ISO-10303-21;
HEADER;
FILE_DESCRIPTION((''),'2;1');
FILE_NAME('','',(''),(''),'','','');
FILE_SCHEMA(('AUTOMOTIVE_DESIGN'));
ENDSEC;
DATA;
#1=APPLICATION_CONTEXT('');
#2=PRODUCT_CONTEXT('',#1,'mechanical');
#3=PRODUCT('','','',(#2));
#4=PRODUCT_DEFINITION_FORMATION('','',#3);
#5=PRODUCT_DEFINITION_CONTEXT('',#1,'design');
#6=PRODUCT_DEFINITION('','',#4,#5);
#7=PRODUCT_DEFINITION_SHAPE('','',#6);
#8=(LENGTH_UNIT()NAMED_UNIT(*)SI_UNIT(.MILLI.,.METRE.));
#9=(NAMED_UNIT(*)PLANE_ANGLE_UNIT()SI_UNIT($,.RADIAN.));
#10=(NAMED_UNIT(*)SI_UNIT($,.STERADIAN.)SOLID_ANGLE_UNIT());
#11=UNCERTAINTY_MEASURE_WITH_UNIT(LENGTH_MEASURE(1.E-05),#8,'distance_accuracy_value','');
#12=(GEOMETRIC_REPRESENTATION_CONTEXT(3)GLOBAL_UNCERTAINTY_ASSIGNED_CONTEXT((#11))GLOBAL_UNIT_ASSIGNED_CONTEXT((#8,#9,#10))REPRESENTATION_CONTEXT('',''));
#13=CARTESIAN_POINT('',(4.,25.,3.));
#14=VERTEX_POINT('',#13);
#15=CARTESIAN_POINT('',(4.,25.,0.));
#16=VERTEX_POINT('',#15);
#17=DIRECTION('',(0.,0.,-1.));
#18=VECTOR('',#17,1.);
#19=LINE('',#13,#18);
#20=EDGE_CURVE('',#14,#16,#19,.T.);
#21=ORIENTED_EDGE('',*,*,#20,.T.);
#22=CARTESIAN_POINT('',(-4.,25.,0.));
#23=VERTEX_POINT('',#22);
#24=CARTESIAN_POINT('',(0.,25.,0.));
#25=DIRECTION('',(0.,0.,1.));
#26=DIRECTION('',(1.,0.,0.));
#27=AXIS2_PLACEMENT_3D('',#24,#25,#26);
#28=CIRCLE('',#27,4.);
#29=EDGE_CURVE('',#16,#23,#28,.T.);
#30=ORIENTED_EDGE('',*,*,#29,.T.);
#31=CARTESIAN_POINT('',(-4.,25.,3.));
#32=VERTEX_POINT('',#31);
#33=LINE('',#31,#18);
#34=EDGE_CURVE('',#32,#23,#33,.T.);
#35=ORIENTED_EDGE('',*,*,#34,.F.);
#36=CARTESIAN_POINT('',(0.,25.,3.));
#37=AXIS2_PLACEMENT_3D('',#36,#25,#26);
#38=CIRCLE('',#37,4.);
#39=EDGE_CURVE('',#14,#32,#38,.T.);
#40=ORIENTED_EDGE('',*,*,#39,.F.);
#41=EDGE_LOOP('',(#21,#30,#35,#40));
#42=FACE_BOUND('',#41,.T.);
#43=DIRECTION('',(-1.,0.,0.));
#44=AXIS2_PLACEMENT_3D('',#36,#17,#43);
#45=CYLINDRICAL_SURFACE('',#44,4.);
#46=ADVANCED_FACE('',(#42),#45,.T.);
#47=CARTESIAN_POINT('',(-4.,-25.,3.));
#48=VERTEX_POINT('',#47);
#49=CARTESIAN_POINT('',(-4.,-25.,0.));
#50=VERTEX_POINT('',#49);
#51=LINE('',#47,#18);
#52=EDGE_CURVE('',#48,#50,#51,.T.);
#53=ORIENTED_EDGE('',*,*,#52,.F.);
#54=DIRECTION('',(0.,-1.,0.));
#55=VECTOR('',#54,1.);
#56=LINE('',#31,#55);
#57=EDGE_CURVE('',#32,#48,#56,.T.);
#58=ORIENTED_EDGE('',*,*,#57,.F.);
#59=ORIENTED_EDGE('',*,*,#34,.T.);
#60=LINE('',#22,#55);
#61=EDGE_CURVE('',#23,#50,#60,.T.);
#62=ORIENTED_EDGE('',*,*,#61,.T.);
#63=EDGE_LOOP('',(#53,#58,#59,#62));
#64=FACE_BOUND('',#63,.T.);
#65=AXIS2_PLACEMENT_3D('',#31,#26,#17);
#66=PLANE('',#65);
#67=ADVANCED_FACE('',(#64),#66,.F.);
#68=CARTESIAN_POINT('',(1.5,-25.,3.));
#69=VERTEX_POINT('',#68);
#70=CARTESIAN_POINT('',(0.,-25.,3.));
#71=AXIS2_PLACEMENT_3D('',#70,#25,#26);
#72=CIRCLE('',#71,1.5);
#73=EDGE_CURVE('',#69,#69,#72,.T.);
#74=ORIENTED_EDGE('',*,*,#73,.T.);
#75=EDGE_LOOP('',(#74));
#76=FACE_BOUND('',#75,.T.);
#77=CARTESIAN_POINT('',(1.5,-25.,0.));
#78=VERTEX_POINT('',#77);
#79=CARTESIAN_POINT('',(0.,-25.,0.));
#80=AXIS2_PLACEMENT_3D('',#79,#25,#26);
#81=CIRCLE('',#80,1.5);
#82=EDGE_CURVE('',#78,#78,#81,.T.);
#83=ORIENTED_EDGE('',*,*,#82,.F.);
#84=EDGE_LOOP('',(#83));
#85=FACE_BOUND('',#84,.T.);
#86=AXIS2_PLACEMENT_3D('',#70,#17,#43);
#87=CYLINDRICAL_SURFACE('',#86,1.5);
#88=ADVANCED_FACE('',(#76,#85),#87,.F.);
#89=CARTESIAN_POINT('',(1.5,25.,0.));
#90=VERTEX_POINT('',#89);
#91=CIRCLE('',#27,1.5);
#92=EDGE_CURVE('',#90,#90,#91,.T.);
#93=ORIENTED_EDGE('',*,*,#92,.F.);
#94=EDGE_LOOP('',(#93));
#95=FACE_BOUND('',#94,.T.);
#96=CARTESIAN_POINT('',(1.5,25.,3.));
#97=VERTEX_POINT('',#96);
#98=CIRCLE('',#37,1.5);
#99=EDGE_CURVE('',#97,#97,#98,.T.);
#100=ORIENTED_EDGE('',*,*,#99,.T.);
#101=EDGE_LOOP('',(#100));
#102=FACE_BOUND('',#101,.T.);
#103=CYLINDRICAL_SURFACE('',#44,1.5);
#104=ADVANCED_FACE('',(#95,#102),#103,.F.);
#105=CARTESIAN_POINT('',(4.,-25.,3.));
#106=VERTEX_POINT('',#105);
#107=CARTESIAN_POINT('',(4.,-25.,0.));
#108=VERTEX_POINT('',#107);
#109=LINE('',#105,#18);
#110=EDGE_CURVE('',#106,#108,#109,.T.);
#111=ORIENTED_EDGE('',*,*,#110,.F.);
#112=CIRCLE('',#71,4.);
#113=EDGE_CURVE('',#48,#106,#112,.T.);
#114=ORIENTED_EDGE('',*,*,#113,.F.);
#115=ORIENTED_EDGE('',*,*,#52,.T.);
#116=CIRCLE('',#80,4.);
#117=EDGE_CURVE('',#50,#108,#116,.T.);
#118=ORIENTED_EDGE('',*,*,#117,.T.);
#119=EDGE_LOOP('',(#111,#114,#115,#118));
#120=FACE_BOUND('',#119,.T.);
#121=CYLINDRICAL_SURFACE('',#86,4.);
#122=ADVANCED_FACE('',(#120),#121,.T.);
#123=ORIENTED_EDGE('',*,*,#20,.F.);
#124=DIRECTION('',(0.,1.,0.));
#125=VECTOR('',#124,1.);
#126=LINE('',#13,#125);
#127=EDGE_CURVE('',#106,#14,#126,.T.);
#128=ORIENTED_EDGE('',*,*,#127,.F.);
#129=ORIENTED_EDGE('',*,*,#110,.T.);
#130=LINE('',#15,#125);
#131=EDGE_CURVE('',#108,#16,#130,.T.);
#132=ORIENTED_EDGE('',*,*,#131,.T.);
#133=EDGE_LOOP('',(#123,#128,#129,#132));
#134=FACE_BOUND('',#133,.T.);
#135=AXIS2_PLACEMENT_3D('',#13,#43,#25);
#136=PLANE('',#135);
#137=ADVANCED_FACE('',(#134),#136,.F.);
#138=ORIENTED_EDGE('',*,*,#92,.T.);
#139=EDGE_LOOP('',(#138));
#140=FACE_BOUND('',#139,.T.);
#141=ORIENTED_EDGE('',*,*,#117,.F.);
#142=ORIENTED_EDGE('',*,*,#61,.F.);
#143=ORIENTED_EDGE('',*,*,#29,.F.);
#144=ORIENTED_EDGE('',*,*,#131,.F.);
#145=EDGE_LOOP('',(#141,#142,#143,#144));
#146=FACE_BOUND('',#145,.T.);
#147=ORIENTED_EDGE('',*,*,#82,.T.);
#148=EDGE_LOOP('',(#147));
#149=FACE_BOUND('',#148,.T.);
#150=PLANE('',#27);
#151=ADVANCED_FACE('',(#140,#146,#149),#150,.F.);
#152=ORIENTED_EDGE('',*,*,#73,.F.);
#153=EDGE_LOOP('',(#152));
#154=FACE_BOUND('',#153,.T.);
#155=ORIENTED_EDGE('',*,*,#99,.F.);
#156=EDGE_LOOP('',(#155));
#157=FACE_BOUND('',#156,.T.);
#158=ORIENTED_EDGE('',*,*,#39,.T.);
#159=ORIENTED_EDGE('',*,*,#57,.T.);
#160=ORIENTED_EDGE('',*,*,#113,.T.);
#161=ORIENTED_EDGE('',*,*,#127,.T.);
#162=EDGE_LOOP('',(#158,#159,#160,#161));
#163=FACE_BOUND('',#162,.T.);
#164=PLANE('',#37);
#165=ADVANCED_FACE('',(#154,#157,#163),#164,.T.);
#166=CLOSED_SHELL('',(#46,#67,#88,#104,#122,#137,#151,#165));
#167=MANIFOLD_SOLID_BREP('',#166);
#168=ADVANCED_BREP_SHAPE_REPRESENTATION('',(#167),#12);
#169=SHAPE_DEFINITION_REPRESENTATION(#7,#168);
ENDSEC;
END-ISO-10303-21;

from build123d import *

# Parameters (mm, degrees)
CROQUIS1_R              = 1.5
SALIENTE_EXTRUIR1_DEPTH = 3


with BuildPart() as part:
    # Croquis1 → Saliente-Extruir1 (new body)
    with BuildSketch(Plane.XY):
        with BuildLine():
            Line((4, 25), (4, -25))
            ThreePointArc((4, -25), (0, -29), (-4, -25))
            Line((-4, -25), (-4, 25))
            ThreePointArc((-4, 25), (0, 29), (4, 25))
        make_face()
        with Locations((0, -25)):
            Circle(CROQUIS1_R, mode=Mode.SUBTRACT)
        with Locations((0, 25)):
            Circle(CROQUIS1_R, mode=Mode.SUBTRACT)
    extrude(amount=SALIENTE_EXTRUIR1_DEPTH)


solid = part.part
